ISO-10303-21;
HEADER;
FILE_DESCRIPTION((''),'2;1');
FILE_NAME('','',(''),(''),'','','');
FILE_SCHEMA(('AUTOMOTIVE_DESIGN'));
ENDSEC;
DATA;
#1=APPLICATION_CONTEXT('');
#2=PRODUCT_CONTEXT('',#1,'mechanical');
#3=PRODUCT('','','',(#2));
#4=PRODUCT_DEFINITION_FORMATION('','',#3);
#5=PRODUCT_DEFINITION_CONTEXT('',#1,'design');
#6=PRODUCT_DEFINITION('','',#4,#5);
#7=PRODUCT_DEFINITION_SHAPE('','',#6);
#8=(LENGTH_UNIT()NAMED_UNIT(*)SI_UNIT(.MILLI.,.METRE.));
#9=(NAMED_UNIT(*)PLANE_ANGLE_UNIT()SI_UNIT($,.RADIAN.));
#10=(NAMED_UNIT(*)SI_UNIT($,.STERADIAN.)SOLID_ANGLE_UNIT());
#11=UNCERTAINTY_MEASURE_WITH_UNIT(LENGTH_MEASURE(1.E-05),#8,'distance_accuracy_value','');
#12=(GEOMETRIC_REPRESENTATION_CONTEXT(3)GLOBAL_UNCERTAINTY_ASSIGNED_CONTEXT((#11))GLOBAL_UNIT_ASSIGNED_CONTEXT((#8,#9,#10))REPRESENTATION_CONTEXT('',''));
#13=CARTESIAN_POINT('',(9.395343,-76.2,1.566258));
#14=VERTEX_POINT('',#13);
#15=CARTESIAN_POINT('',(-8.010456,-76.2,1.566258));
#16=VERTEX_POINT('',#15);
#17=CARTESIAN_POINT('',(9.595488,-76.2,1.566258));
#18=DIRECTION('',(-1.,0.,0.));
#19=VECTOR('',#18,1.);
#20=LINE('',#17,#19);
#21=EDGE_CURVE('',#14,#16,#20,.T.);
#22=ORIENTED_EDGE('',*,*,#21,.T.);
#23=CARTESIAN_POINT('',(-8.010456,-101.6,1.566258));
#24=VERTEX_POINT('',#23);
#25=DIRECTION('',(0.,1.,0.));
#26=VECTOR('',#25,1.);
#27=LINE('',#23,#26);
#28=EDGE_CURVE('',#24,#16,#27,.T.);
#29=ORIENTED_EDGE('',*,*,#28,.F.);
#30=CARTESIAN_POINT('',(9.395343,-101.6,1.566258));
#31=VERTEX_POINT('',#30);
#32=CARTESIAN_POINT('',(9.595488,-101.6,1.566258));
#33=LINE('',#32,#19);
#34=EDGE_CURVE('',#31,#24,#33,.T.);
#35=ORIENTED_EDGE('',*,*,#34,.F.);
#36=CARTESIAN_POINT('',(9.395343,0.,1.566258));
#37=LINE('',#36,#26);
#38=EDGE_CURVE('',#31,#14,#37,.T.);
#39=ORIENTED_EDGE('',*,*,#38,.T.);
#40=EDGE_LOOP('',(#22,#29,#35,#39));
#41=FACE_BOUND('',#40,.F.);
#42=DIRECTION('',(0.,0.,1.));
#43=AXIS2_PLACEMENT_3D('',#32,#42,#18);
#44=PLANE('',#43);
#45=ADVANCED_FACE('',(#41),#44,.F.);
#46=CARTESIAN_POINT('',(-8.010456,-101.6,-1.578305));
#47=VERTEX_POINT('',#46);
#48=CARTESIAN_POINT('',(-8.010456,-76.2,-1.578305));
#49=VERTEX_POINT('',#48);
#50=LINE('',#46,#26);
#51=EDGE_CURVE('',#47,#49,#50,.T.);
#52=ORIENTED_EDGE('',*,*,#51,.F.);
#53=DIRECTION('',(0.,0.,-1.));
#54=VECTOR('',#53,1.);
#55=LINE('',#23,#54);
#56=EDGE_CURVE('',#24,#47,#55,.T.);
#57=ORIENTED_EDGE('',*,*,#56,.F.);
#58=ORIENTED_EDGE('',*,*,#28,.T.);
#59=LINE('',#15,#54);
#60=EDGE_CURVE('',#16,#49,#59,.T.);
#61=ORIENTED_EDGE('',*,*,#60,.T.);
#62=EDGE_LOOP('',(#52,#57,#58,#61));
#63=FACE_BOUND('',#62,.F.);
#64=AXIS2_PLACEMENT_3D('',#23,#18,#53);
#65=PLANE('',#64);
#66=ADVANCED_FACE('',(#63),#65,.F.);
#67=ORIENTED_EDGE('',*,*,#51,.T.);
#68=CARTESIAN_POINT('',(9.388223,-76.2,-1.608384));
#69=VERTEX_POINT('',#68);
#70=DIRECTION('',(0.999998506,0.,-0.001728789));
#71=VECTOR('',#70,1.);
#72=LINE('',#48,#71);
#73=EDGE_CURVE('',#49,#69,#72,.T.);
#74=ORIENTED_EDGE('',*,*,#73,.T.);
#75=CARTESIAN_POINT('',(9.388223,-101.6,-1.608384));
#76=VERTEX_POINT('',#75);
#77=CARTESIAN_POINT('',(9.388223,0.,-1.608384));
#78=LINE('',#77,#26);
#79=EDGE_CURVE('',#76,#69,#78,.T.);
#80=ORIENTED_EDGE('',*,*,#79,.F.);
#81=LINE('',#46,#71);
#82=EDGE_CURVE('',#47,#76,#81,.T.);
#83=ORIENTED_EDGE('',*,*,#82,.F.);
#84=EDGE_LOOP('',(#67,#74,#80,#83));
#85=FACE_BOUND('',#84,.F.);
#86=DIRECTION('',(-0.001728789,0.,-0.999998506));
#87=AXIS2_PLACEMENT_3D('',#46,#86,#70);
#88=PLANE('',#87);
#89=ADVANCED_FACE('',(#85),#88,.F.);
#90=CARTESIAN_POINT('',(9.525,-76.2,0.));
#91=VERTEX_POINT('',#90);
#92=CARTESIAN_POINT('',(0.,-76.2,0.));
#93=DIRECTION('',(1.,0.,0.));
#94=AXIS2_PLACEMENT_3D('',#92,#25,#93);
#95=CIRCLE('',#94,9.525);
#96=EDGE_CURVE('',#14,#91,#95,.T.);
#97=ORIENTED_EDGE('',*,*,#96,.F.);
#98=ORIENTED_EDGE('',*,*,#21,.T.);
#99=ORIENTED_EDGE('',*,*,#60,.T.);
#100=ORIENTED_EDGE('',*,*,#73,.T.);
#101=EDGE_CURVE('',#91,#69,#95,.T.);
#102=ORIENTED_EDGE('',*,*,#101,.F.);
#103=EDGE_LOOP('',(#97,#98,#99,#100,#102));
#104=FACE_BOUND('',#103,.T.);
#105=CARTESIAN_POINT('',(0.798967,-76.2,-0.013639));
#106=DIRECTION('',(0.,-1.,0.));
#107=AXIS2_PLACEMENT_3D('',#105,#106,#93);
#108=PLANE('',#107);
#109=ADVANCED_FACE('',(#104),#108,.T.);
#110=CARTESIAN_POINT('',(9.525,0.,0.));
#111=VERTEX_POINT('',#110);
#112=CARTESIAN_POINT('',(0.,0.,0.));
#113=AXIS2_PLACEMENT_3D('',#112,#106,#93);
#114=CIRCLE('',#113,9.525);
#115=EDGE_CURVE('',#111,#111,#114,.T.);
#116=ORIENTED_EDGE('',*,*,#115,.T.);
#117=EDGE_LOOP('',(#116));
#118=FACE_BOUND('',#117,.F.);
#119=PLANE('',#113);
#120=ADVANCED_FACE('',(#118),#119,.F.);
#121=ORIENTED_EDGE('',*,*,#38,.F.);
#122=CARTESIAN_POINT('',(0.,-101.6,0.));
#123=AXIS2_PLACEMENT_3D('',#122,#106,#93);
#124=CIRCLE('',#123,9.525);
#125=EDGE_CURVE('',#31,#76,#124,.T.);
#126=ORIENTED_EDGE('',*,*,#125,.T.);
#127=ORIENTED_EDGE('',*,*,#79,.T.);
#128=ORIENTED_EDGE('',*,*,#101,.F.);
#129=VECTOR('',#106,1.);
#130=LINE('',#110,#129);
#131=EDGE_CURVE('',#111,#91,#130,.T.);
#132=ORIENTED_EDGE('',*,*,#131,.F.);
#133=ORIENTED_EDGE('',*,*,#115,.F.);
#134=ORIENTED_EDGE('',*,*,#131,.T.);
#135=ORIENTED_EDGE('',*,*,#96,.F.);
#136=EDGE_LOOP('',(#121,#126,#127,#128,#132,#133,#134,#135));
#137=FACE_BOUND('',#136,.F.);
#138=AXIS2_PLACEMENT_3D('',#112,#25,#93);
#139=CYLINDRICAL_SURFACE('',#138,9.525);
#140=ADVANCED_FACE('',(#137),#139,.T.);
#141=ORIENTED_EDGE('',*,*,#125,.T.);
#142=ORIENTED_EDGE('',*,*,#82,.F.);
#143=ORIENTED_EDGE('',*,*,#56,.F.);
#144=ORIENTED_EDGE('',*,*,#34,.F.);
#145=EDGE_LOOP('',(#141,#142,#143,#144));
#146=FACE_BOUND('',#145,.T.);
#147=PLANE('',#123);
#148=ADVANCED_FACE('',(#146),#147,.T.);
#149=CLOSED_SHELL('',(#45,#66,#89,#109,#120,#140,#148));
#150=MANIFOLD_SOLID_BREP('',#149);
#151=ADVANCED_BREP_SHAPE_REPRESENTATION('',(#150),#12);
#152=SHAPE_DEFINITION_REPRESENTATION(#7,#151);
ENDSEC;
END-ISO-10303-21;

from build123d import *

# Parameters (mm, degrees)
F0_R     = 9.525
F1_DEPTH = 101.6
F3_DEPTH = 25.4


with BuildPart() as f1:
    # F0 (on Front) → F1 (new body)
    with BuildSketch(Plane.XZ):
        Circle(F0_R)
    extrude(amount=F1_DEPTH)

    # F2 (on face) → F3 (cut)
    with BuildSketch(Plane.XZ.offset(101.6)):
        Polygon((-8.010456, 1.566258), (-8.010456, -1.578305), (9.595488, -1.608742), (9.595488, 1.566258), align=None)
    extrude(amount=-F3_DEPTH, mode=Mode.SUBTRACT)


solid = f1.part
